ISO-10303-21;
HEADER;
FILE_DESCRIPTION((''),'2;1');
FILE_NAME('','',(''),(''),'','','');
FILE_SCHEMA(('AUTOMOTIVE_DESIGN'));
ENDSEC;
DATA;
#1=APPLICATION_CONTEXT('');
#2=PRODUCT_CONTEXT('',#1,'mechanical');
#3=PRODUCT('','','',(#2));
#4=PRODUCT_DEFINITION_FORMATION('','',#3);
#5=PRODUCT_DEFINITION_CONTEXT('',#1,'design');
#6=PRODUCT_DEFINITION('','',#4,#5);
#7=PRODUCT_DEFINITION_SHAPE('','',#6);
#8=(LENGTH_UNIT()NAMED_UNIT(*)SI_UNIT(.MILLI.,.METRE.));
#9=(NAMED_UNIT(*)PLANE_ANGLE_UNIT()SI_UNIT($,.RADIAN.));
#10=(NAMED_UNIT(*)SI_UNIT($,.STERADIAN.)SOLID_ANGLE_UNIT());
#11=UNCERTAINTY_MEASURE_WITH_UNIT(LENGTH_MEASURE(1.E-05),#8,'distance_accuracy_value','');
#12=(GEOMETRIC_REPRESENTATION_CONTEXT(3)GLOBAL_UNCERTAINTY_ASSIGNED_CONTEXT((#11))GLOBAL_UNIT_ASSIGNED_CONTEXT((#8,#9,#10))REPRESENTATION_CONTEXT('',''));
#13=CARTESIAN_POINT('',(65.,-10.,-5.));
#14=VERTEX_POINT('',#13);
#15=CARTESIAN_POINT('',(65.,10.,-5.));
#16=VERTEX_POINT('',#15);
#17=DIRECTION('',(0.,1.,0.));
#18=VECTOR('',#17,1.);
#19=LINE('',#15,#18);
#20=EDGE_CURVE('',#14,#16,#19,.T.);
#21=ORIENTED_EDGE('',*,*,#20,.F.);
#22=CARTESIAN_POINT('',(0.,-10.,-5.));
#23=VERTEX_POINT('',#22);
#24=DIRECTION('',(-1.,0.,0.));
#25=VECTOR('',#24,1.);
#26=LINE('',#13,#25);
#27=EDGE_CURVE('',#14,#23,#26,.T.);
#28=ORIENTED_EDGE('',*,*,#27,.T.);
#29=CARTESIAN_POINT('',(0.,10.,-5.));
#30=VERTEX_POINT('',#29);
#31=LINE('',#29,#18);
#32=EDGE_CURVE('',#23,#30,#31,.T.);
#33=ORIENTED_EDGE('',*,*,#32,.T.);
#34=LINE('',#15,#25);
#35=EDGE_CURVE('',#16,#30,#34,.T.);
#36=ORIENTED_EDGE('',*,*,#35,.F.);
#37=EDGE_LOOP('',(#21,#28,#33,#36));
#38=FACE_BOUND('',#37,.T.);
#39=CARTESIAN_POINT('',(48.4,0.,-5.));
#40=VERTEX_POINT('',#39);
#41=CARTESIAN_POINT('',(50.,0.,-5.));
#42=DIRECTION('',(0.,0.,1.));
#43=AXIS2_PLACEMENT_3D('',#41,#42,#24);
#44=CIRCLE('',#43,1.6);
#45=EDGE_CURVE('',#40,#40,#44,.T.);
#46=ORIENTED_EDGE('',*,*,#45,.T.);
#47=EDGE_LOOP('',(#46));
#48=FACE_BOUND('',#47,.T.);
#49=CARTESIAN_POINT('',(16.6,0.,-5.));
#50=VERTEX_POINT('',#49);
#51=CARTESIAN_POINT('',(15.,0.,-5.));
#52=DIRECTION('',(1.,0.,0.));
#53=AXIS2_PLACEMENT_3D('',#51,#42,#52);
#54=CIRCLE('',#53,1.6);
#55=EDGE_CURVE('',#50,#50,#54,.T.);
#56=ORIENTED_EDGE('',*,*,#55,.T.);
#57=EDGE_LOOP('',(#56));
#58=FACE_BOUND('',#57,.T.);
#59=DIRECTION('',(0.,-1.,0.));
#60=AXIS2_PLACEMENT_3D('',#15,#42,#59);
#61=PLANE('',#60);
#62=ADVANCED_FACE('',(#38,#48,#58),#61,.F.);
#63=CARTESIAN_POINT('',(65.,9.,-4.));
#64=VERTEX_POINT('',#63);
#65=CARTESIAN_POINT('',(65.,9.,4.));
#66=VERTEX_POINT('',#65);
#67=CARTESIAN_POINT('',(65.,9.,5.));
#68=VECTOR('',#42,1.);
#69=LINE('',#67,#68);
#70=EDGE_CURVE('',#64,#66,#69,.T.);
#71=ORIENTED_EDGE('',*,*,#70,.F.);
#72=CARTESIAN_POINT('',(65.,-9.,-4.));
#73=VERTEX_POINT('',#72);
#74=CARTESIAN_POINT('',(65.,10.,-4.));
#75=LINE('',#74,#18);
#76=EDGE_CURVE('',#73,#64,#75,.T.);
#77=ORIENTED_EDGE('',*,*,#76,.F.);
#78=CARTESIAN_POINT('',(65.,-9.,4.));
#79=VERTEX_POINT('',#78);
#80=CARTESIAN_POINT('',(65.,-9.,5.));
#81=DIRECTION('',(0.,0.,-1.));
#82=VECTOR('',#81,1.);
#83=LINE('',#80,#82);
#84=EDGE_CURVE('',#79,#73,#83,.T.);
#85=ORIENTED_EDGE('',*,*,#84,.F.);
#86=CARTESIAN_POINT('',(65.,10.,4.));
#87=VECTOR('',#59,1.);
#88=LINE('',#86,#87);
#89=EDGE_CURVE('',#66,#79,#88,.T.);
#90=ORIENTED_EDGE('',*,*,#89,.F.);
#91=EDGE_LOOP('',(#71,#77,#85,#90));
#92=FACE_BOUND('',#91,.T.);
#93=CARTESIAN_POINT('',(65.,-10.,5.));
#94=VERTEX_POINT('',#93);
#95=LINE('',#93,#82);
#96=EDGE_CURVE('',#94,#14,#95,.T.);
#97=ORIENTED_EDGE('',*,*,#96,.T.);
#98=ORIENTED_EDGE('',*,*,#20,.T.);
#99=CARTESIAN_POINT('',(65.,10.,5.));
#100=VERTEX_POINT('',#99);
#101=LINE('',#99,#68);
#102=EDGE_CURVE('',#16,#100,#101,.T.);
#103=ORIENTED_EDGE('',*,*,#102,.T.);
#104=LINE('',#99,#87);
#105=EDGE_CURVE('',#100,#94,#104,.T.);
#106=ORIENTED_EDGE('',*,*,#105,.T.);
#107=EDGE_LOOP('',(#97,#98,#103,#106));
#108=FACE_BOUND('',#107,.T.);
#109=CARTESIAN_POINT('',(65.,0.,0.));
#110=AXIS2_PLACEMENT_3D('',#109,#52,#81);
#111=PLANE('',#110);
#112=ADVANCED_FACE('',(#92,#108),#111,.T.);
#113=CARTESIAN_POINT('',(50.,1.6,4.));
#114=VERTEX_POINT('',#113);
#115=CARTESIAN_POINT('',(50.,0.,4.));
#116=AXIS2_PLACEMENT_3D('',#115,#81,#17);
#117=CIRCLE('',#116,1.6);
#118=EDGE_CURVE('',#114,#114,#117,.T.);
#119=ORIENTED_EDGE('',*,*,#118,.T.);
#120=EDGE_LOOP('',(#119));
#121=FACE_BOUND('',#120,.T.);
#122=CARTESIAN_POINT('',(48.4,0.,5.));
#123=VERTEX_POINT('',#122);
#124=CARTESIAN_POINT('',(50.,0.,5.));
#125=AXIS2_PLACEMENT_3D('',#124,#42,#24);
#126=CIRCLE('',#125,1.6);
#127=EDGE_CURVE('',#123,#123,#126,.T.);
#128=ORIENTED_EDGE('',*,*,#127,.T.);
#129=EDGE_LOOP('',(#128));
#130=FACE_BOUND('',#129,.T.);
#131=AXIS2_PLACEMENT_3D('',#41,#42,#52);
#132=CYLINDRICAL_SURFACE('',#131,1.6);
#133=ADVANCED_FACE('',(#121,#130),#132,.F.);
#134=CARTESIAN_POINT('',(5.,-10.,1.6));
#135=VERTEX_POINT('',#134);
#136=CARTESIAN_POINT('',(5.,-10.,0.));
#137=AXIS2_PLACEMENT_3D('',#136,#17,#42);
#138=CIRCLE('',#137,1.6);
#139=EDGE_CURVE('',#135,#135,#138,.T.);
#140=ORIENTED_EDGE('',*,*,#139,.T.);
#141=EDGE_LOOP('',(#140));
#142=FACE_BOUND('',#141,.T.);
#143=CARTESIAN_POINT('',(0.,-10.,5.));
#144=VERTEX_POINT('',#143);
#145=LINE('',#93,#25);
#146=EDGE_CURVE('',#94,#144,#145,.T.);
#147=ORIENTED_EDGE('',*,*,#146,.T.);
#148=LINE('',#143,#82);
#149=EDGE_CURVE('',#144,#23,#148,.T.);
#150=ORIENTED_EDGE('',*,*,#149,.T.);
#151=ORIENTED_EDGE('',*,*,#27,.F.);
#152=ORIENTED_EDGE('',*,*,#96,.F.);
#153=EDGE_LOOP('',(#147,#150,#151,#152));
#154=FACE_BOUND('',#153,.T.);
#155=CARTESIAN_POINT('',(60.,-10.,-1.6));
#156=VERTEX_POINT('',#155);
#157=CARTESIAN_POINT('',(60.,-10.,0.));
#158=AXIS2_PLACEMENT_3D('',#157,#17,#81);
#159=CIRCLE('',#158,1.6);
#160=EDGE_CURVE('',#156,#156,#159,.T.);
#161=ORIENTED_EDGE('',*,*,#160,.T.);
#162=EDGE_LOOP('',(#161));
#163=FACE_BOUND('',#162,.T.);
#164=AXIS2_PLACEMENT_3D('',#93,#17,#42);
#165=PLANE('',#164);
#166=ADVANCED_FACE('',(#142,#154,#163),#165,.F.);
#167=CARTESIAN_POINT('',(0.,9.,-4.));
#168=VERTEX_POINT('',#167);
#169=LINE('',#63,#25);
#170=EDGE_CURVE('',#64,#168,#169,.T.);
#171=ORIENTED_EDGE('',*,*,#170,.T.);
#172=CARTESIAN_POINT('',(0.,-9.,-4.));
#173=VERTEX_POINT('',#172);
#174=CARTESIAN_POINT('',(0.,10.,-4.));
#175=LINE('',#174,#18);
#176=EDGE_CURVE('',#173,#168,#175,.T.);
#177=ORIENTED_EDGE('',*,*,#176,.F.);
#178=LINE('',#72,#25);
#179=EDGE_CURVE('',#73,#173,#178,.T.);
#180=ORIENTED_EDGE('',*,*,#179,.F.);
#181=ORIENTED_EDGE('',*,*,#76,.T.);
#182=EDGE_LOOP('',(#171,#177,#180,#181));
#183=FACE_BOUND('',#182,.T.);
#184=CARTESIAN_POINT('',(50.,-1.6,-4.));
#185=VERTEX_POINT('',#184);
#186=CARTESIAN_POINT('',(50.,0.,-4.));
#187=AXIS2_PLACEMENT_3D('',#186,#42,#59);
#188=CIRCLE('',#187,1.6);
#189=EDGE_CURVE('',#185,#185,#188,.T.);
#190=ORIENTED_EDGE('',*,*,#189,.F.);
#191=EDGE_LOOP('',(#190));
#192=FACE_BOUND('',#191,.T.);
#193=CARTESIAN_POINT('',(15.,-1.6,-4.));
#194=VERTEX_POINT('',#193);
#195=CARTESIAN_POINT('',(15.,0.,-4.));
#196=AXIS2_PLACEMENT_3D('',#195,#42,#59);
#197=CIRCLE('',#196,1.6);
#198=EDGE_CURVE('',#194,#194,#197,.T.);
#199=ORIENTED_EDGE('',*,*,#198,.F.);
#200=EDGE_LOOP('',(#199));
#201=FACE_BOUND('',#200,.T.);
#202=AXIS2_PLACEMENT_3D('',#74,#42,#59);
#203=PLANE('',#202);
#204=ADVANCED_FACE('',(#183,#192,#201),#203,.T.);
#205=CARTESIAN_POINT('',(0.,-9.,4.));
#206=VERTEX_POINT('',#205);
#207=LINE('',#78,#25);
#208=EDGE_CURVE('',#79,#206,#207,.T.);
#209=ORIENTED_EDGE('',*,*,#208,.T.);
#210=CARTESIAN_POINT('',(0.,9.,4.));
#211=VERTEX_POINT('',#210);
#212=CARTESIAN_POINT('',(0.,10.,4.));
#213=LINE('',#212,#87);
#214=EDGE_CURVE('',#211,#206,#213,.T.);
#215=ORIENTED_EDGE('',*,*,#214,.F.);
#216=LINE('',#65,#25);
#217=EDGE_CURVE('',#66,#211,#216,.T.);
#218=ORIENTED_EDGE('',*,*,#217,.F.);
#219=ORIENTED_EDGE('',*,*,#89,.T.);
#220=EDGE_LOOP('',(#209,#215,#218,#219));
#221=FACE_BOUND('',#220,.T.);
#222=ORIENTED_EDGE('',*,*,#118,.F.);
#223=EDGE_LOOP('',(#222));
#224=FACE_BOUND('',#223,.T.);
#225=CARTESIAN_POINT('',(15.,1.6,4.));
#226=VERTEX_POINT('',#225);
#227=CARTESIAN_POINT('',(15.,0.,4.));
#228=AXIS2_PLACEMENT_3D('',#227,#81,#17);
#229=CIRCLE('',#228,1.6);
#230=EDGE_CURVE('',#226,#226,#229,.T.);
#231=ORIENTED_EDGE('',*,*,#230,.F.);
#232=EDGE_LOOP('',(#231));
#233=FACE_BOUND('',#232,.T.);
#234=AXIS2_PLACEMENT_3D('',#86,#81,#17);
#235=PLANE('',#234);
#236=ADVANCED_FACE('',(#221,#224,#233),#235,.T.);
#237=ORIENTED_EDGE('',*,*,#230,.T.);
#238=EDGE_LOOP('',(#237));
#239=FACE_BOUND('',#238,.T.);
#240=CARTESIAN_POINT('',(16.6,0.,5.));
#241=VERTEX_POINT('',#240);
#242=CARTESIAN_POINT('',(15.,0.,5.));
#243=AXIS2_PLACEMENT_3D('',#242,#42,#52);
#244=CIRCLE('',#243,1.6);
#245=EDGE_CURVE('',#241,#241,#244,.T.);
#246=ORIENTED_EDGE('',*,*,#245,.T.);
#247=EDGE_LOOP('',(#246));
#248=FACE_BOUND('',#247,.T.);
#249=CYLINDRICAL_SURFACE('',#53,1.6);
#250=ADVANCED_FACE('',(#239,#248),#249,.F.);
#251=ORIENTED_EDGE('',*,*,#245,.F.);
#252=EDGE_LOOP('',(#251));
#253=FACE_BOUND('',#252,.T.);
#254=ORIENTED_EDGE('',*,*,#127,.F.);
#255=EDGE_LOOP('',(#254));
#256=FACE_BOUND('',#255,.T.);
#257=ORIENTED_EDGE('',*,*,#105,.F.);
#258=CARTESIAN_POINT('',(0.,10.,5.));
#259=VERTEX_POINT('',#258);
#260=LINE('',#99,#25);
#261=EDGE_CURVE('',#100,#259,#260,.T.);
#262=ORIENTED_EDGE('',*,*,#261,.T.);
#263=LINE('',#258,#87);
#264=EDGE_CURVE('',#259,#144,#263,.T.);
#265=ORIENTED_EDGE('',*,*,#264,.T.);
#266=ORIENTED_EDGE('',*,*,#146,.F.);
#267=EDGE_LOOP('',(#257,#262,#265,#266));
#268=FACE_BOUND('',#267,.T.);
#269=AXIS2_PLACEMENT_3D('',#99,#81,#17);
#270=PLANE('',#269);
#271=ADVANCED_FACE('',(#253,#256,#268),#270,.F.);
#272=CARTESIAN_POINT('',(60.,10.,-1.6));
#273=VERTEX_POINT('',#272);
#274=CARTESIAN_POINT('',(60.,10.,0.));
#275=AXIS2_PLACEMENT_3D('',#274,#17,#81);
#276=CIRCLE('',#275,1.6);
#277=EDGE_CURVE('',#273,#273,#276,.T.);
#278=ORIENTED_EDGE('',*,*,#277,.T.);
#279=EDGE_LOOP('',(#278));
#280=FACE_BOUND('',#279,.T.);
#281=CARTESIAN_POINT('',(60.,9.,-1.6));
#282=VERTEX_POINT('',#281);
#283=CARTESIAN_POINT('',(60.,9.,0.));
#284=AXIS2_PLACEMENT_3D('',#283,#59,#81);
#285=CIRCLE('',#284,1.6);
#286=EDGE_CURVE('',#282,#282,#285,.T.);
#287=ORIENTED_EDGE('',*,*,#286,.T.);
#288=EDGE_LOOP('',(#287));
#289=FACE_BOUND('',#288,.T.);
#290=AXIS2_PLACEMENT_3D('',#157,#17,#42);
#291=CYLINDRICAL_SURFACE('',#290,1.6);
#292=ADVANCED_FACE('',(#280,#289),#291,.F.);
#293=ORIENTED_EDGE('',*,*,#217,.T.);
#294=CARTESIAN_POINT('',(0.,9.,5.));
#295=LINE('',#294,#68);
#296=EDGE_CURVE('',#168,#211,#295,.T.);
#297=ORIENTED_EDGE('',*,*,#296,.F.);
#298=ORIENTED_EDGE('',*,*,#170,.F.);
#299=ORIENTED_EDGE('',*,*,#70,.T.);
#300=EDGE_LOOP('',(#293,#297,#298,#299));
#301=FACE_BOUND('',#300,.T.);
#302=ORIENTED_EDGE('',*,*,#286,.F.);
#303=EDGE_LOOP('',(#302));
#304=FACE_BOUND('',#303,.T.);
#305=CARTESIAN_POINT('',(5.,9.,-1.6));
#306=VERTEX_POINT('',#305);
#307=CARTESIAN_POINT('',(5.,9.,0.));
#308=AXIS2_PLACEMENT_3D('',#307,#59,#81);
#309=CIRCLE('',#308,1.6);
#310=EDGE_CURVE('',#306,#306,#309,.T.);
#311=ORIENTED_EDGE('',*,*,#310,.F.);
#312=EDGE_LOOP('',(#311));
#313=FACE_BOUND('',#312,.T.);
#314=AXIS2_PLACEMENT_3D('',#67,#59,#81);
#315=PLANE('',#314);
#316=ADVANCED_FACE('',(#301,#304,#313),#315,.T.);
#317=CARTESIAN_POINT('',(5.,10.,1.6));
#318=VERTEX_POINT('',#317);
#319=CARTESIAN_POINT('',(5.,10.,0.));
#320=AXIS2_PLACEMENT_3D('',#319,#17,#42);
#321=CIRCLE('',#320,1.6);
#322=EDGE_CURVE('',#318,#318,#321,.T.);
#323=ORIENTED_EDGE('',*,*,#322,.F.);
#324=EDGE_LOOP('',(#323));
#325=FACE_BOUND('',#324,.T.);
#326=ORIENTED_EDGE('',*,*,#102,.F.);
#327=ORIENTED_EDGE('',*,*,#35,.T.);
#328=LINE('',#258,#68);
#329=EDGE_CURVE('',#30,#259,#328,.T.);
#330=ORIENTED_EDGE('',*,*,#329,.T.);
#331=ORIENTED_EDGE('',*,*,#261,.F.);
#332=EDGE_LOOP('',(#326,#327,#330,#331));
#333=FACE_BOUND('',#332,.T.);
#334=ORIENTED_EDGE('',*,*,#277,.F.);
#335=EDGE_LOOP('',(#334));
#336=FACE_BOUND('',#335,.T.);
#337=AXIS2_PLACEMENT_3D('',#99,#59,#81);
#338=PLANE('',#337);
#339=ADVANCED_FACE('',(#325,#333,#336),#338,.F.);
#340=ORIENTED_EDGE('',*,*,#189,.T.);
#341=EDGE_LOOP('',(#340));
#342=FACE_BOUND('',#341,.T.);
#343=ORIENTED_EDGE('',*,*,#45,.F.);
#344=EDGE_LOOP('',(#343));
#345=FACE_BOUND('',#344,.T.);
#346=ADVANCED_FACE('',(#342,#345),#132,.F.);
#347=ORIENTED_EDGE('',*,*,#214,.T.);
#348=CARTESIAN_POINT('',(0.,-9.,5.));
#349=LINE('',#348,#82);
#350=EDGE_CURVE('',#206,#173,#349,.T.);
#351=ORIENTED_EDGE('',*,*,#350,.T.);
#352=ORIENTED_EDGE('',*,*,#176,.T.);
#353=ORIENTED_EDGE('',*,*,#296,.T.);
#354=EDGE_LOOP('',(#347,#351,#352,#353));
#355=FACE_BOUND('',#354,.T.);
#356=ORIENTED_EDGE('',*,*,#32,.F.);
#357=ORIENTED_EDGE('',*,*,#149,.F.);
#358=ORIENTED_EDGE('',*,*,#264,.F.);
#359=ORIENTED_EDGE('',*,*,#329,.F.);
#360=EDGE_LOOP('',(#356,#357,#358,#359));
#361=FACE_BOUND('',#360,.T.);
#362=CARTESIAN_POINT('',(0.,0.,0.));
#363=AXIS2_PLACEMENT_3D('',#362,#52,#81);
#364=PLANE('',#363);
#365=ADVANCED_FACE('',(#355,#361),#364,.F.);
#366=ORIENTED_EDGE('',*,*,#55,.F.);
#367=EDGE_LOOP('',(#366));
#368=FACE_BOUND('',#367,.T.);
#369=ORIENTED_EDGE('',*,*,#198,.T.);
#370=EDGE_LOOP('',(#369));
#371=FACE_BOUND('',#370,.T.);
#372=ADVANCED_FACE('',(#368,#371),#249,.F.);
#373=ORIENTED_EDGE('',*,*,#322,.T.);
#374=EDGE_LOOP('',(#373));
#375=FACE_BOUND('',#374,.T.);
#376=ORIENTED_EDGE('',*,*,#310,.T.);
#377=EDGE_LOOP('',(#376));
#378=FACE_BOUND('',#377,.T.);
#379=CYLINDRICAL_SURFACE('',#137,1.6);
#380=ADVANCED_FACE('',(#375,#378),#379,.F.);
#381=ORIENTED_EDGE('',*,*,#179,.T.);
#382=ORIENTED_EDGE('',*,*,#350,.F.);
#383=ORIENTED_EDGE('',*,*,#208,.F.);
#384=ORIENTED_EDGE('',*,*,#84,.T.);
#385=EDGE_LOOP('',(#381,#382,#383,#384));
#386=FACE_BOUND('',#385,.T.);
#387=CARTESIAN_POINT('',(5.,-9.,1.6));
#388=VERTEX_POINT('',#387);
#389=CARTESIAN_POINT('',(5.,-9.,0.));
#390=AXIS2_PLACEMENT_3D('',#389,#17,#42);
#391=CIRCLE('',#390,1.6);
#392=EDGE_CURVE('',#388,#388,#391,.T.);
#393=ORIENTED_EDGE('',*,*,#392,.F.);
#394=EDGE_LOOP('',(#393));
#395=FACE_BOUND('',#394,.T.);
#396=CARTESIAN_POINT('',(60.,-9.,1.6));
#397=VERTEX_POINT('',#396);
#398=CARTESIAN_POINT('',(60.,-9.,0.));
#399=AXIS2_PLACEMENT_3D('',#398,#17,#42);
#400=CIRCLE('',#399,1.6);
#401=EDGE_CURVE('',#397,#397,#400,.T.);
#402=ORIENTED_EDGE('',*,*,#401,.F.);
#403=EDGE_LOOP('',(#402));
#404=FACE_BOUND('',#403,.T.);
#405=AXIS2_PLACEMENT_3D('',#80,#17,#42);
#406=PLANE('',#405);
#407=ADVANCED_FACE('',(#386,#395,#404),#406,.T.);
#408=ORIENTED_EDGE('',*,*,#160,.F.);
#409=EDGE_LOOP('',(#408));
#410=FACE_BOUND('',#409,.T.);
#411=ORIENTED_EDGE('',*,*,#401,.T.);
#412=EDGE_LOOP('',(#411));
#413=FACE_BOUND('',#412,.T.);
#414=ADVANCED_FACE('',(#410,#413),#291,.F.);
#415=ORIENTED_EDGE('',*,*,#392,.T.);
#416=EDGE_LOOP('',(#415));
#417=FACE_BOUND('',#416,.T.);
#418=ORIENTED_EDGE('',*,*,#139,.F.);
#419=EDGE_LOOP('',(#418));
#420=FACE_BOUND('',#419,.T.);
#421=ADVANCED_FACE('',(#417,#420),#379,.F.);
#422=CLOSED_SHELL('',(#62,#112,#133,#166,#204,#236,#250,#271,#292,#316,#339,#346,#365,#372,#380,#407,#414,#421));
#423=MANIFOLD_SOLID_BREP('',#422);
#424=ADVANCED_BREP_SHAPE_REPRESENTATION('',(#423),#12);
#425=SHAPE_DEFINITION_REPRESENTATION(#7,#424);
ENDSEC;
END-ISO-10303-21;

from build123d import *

# Parameters (mm, degrees)
SKETCH_1_W          = 10
SKETCH_1_H          = 20
SKETCH_1_W_2        = 8
SKETCH_1_H_2        = 18
EXTRUDE_1_DEPTH     = 65
SKETCH_2_R          = 1.6
CUT_EXTRUDE_1_DEPTH = 67.520673478
SKETCH_3_R          = 1.6
CUT_EXTRUDE_2_DEPTH = 69.190908485


with BuildPart() as part:
    # ｽｹｯﾁ1 → 押し出し-薄板1 (new body)
    with BuildSketch(Plane(origin=(0, 0, 0), x_dir=(0, 0, -1), z_dir=(1, 0, 0))):
        Rectangle(SKETCH_1_W, SKETCH_1_H)
        Rectangle(SKETCH_1_W_2, SKETCH_1_H_2, mode=Mode.SUBTRACT)
    extrude(amount=EXTRUDE_1_DEPTH)

    # ｽｹｯﾁ2 → ｶｯﾄ - 押し出し1 (cut, through all)
    with BuildSketch(Plane.XY.offset(5)):
        with Locations((15, 0)):
            Circle(SKETCH_2_R)
        with Locations(Location((50, 0, 0), (0, 0, 90))):
            Circle(SKETCH_2_R)
    extrude(amount=-CUT_EXTRUDE_1_DEPTH, mode=Mode.SUBTRACT)

    # ｽｹｯﾁ3 → ｶｯﾄ - 押し出し2 (cut, through all)
    with BuildSketch(Plane(origin=(0, 10, 0), x_dir=(1, 0, 0), z_dir=(0, 1, 0))):
        with Locations(Location((5, 0, 0), (0, 0, 270))):
            Circle(SKETCH_3_R)
        with Locations(Location((60, 0, 0), (0, 0, 270))):
            Circle(SKETCH_3_R)
    extrude(amount=-CUT_EXTRUDE_2_DEPTH, mode=Mode.SUBTRACT)


solid = part.part
